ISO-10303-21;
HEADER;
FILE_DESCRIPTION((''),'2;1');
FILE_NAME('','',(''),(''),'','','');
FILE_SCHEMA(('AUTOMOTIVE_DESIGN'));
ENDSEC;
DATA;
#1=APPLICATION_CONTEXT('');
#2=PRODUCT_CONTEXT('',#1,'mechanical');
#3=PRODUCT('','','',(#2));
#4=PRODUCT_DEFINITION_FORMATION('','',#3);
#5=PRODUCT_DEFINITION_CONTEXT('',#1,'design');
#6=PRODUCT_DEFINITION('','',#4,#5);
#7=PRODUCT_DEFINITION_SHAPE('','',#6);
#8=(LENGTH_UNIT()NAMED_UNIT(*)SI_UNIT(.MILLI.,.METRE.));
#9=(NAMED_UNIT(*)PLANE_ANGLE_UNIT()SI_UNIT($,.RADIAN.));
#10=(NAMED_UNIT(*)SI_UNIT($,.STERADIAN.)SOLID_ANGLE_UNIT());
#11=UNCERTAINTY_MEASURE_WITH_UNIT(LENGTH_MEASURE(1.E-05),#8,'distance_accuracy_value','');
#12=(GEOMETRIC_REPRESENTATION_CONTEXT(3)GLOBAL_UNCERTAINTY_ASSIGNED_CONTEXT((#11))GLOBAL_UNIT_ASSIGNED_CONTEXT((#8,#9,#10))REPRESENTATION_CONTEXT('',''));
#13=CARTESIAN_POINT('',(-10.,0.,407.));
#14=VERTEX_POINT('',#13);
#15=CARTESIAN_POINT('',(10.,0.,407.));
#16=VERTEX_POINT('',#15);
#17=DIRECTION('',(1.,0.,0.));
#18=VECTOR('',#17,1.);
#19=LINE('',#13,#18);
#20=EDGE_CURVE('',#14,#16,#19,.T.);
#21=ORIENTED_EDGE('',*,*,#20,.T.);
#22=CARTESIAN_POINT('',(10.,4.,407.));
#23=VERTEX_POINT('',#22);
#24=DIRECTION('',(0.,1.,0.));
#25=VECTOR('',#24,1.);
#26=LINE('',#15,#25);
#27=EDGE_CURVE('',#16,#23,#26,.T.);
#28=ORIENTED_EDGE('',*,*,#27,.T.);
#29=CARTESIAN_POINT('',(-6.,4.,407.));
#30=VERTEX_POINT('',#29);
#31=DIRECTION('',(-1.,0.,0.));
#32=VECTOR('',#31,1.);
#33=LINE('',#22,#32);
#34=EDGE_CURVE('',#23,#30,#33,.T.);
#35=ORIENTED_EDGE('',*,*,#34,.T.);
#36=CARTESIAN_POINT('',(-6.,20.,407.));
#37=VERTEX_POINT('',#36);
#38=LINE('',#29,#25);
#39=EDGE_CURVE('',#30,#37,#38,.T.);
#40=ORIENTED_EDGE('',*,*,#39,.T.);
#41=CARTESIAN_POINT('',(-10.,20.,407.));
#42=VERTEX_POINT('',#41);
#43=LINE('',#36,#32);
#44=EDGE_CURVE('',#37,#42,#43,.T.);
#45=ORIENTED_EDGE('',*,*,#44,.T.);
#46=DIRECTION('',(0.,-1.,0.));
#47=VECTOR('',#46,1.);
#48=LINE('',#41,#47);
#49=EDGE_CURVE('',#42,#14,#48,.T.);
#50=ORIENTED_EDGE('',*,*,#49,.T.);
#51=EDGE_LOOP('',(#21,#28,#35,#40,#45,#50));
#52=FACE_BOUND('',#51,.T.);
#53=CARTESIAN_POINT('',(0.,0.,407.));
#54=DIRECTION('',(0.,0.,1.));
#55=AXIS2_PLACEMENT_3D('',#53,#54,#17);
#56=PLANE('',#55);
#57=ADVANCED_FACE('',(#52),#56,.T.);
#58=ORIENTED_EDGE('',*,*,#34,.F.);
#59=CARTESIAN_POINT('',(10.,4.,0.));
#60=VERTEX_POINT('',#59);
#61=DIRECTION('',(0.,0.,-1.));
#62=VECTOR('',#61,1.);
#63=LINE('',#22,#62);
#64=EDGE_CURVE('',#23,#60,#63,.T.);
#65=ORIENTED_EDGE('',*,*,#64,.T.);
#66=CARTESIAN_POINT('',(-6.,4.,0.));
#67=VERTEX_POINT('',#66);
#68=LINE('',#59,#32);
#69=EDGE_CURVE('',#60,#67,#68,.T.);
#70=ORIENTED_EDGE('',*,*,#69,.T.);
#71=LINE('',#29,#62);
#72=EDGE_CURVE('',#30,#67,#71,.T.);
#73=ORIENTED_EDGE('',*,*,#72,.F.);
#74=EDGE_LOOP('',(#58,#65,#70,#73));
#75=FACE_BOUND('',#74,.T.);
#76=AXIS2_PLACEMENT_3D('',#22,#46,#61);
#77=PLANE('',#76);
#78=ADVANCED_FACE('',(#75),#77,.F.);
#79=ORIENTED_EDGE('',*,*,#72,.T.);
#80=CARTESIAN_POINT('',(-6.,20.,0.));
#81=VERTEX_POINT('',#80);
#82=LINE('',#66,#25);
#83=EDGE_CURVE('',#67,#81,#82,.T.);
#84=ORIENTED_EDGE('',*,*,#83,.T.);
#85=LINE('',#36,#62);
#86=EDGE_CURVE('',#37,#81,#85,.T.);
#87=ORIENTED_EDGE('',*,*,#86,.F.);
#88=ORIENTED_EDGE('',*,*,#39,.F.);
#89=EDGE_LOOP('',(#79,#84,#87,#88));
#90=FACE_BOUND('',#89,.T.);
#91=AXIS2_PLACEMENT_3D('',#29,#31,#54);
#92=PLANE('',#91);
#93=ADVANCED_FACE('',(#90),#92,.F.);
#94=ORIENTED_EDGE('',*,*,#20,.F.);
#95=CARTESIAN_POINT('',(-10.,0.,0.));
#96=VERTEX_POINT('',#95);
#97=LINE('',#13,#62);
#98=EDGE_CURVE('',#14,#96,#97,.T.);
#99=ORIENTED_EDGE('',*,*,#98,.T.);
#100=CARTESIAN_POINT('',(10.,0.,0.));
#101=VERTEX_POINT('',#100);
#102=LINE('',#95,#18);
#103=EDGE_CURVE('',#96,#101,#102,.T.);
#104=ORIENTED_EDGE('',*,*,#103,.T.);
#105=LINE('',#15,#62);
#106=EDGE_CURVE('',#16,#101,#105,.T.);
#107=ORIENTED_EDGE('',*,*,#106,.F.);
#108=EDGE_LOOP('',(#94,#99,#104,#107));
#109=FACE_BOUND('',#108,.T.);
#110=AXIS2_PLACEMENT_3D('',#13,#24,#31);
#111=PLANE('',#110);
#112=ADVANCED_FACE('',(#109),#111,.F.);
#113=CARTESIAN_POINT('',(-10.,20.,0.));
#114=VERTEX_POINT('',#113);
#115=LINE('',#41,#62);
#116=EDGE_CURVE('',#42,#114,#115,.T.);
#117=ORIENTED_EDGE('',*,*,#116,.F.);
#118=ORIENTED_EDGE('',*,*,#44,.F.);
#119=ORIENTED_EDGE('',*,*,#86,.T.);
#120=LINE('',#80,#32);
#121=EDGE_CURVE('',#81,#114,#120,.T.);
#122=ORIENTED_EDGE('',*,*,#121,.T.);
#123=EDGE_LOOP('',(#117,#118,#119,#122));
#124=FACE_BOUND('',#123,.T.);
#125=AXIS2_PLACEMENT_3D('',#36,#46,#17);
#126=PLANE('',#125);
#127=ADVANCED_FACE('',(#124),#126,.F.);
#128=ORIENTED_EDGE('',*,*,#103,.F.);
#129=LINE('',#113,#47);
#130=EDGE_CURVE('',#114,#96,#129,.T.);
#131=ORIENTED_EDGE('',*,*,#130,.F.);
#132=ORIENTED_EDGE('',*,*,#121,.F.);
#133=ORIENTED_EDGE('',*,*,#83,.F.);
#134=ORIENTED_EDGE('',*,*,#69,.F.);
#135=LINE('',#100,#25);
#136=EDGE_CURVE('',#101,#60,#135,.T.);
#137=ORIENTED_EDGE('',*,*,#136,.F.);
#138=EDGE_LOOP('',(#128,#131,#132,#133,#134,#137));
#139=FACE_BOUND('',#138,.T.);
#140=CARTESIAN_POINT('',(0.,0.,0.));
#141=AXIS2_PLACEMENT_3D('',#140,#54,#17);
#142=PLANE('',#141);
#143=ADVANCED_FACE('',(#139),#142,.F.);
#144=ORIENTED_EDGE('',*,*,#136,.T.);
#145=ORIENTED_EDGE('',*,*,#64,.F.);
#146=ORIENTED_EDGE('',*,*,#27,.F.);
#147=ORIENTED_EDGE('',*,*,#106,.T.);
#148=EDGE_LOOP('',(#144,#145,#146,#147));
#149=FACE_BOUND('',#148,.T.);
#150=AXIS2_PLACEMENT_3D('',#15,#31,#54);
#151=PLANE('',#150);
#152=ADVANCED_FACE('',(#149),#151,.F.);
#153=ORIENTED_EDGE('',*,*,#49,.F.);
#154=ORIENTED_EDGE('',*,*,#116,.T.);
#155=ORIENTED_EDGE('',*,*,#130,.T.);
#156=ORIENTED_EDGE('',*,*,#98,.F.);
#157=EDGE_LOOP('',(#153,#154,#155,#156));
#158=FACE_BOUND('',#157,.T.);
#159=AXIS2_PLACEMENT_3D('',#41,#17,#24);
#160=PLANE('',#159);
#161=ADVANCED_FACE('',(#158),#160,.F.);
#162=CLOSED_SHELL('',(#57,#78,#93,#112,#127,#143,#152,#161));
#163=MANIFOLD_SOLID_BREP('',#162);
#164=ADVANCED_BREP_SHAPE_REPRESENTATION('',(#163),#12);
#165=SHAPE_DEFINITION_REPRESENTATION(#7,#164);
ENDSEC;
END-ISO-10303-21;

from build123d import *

# Parameters (mm, degrees)
EXTRUDE_1_DEPTH = 407


with BuildPart() as part:
    # Эскиз1 → Бобышка-Вытянуть1 (new body)
    with BuildSketch(Plane.XY):
        Polygon((-10, 20), (-10, 0), (10, 0), (10, 4), (-6, 4), (-6, 20), align=None)
    extrude(amount=EXTRUDE_1_DEPTH)


solid = part.part
